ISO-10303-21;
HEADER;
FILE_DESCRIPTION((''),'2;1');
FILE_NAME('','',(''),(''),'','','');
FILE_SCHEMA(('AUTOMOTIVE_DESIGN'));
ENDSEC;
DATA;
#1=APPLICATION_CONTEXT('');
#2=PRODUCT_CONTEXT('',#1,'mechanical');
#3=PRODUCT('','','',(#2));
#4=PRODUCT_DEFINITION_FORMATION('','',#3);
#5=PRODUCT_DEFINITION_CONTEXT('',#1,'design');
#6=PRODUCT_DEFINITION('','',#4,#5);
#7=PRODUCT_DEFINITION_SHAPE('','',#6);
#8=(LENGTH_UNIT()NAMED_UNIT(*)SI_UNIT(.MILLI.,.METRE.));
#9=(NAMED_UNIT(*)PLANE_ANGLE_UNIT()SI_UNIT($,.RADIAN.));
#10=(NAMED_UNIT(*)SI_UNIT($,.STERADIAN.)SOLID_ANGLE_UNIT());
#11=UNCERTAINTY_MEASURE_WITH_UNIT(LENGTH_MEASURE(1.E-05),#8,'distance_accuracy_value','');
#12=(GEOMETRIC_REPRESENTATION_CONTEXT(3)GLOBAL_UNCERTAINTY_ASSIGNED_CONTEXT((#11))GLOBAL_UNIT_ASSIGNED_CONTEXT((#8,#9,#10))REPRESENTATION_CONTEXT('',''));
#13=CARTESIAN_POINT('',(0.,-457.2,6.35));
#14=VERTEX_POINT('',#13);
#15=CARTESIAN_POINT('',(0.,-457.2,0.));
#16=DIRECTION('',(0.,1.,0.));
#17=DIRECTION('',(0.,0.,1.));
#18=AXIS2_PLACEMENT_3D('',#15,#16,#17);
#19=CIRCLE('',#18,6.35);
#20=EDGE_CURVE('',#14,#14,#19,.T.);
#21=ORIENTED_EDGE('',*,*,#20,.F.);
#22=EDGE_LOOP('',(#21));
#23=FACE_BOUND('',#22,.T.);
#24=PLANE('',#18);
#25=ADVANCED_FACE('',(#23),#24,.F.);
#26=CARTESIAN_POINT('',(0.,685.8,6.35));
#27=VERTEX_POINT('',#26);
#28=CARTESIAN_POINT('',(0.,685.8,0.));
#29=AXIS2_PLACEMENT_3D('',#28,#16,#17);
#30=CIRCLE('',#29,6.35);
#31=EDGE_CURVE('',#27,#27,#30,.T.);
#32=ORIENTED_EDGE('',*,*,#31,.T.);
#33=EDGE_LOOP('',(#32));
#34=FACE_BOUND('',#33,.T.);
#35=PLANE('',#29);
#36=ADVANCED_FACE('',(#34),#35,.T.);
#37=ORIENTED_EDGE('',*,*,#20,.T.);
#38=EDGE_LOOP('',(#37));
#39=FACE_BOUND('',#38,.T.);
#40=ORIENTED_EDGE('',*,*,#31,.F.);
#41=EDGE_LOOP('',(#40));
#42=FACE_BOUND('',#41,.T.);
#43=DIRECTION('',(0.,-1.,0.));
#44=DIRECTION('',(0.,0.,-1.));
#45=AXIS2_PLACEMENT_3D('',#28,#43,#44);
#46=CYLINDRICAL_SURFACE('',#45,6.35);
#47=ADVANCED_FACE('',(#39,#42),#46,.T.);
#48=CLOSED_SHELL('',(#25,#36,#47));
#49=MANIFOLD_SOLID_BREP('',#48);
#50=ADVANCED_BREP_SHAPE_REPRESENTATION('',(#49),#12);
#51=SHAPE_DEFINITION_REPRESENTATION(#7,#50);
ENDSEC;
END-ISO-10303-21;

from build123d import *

# Parameters (mm, degrees)
BOSS_EXTRUDE1_DEPTH      = 685.8
BOSS_EXTRUDE1_DEPTH_BACK = 457.2
SKETCH2_R                = 6.35


with BuildPart() as part:
    # Sketch2 → Boss-Extrude1 (new, two sides: drawn at the far end of the back side and taken through both)
    with BuildSketch(Plane(origin=(0, 0, 0), x_dir=(1, 0, 0), z_dir=(0, 1, 0)).offset(-BOSS_EXTRUDE1_DEPTH_BACK)):
        with Locations(Location((0, 0, 0), (0, 0, 270))):
            Circle(SKETCH2_R)
    extrude(amount=BOSS_EXTRUDE1_DEPTH + BOSS_EXTRUDE1_DEPTH_BACK)


solid = part.part
